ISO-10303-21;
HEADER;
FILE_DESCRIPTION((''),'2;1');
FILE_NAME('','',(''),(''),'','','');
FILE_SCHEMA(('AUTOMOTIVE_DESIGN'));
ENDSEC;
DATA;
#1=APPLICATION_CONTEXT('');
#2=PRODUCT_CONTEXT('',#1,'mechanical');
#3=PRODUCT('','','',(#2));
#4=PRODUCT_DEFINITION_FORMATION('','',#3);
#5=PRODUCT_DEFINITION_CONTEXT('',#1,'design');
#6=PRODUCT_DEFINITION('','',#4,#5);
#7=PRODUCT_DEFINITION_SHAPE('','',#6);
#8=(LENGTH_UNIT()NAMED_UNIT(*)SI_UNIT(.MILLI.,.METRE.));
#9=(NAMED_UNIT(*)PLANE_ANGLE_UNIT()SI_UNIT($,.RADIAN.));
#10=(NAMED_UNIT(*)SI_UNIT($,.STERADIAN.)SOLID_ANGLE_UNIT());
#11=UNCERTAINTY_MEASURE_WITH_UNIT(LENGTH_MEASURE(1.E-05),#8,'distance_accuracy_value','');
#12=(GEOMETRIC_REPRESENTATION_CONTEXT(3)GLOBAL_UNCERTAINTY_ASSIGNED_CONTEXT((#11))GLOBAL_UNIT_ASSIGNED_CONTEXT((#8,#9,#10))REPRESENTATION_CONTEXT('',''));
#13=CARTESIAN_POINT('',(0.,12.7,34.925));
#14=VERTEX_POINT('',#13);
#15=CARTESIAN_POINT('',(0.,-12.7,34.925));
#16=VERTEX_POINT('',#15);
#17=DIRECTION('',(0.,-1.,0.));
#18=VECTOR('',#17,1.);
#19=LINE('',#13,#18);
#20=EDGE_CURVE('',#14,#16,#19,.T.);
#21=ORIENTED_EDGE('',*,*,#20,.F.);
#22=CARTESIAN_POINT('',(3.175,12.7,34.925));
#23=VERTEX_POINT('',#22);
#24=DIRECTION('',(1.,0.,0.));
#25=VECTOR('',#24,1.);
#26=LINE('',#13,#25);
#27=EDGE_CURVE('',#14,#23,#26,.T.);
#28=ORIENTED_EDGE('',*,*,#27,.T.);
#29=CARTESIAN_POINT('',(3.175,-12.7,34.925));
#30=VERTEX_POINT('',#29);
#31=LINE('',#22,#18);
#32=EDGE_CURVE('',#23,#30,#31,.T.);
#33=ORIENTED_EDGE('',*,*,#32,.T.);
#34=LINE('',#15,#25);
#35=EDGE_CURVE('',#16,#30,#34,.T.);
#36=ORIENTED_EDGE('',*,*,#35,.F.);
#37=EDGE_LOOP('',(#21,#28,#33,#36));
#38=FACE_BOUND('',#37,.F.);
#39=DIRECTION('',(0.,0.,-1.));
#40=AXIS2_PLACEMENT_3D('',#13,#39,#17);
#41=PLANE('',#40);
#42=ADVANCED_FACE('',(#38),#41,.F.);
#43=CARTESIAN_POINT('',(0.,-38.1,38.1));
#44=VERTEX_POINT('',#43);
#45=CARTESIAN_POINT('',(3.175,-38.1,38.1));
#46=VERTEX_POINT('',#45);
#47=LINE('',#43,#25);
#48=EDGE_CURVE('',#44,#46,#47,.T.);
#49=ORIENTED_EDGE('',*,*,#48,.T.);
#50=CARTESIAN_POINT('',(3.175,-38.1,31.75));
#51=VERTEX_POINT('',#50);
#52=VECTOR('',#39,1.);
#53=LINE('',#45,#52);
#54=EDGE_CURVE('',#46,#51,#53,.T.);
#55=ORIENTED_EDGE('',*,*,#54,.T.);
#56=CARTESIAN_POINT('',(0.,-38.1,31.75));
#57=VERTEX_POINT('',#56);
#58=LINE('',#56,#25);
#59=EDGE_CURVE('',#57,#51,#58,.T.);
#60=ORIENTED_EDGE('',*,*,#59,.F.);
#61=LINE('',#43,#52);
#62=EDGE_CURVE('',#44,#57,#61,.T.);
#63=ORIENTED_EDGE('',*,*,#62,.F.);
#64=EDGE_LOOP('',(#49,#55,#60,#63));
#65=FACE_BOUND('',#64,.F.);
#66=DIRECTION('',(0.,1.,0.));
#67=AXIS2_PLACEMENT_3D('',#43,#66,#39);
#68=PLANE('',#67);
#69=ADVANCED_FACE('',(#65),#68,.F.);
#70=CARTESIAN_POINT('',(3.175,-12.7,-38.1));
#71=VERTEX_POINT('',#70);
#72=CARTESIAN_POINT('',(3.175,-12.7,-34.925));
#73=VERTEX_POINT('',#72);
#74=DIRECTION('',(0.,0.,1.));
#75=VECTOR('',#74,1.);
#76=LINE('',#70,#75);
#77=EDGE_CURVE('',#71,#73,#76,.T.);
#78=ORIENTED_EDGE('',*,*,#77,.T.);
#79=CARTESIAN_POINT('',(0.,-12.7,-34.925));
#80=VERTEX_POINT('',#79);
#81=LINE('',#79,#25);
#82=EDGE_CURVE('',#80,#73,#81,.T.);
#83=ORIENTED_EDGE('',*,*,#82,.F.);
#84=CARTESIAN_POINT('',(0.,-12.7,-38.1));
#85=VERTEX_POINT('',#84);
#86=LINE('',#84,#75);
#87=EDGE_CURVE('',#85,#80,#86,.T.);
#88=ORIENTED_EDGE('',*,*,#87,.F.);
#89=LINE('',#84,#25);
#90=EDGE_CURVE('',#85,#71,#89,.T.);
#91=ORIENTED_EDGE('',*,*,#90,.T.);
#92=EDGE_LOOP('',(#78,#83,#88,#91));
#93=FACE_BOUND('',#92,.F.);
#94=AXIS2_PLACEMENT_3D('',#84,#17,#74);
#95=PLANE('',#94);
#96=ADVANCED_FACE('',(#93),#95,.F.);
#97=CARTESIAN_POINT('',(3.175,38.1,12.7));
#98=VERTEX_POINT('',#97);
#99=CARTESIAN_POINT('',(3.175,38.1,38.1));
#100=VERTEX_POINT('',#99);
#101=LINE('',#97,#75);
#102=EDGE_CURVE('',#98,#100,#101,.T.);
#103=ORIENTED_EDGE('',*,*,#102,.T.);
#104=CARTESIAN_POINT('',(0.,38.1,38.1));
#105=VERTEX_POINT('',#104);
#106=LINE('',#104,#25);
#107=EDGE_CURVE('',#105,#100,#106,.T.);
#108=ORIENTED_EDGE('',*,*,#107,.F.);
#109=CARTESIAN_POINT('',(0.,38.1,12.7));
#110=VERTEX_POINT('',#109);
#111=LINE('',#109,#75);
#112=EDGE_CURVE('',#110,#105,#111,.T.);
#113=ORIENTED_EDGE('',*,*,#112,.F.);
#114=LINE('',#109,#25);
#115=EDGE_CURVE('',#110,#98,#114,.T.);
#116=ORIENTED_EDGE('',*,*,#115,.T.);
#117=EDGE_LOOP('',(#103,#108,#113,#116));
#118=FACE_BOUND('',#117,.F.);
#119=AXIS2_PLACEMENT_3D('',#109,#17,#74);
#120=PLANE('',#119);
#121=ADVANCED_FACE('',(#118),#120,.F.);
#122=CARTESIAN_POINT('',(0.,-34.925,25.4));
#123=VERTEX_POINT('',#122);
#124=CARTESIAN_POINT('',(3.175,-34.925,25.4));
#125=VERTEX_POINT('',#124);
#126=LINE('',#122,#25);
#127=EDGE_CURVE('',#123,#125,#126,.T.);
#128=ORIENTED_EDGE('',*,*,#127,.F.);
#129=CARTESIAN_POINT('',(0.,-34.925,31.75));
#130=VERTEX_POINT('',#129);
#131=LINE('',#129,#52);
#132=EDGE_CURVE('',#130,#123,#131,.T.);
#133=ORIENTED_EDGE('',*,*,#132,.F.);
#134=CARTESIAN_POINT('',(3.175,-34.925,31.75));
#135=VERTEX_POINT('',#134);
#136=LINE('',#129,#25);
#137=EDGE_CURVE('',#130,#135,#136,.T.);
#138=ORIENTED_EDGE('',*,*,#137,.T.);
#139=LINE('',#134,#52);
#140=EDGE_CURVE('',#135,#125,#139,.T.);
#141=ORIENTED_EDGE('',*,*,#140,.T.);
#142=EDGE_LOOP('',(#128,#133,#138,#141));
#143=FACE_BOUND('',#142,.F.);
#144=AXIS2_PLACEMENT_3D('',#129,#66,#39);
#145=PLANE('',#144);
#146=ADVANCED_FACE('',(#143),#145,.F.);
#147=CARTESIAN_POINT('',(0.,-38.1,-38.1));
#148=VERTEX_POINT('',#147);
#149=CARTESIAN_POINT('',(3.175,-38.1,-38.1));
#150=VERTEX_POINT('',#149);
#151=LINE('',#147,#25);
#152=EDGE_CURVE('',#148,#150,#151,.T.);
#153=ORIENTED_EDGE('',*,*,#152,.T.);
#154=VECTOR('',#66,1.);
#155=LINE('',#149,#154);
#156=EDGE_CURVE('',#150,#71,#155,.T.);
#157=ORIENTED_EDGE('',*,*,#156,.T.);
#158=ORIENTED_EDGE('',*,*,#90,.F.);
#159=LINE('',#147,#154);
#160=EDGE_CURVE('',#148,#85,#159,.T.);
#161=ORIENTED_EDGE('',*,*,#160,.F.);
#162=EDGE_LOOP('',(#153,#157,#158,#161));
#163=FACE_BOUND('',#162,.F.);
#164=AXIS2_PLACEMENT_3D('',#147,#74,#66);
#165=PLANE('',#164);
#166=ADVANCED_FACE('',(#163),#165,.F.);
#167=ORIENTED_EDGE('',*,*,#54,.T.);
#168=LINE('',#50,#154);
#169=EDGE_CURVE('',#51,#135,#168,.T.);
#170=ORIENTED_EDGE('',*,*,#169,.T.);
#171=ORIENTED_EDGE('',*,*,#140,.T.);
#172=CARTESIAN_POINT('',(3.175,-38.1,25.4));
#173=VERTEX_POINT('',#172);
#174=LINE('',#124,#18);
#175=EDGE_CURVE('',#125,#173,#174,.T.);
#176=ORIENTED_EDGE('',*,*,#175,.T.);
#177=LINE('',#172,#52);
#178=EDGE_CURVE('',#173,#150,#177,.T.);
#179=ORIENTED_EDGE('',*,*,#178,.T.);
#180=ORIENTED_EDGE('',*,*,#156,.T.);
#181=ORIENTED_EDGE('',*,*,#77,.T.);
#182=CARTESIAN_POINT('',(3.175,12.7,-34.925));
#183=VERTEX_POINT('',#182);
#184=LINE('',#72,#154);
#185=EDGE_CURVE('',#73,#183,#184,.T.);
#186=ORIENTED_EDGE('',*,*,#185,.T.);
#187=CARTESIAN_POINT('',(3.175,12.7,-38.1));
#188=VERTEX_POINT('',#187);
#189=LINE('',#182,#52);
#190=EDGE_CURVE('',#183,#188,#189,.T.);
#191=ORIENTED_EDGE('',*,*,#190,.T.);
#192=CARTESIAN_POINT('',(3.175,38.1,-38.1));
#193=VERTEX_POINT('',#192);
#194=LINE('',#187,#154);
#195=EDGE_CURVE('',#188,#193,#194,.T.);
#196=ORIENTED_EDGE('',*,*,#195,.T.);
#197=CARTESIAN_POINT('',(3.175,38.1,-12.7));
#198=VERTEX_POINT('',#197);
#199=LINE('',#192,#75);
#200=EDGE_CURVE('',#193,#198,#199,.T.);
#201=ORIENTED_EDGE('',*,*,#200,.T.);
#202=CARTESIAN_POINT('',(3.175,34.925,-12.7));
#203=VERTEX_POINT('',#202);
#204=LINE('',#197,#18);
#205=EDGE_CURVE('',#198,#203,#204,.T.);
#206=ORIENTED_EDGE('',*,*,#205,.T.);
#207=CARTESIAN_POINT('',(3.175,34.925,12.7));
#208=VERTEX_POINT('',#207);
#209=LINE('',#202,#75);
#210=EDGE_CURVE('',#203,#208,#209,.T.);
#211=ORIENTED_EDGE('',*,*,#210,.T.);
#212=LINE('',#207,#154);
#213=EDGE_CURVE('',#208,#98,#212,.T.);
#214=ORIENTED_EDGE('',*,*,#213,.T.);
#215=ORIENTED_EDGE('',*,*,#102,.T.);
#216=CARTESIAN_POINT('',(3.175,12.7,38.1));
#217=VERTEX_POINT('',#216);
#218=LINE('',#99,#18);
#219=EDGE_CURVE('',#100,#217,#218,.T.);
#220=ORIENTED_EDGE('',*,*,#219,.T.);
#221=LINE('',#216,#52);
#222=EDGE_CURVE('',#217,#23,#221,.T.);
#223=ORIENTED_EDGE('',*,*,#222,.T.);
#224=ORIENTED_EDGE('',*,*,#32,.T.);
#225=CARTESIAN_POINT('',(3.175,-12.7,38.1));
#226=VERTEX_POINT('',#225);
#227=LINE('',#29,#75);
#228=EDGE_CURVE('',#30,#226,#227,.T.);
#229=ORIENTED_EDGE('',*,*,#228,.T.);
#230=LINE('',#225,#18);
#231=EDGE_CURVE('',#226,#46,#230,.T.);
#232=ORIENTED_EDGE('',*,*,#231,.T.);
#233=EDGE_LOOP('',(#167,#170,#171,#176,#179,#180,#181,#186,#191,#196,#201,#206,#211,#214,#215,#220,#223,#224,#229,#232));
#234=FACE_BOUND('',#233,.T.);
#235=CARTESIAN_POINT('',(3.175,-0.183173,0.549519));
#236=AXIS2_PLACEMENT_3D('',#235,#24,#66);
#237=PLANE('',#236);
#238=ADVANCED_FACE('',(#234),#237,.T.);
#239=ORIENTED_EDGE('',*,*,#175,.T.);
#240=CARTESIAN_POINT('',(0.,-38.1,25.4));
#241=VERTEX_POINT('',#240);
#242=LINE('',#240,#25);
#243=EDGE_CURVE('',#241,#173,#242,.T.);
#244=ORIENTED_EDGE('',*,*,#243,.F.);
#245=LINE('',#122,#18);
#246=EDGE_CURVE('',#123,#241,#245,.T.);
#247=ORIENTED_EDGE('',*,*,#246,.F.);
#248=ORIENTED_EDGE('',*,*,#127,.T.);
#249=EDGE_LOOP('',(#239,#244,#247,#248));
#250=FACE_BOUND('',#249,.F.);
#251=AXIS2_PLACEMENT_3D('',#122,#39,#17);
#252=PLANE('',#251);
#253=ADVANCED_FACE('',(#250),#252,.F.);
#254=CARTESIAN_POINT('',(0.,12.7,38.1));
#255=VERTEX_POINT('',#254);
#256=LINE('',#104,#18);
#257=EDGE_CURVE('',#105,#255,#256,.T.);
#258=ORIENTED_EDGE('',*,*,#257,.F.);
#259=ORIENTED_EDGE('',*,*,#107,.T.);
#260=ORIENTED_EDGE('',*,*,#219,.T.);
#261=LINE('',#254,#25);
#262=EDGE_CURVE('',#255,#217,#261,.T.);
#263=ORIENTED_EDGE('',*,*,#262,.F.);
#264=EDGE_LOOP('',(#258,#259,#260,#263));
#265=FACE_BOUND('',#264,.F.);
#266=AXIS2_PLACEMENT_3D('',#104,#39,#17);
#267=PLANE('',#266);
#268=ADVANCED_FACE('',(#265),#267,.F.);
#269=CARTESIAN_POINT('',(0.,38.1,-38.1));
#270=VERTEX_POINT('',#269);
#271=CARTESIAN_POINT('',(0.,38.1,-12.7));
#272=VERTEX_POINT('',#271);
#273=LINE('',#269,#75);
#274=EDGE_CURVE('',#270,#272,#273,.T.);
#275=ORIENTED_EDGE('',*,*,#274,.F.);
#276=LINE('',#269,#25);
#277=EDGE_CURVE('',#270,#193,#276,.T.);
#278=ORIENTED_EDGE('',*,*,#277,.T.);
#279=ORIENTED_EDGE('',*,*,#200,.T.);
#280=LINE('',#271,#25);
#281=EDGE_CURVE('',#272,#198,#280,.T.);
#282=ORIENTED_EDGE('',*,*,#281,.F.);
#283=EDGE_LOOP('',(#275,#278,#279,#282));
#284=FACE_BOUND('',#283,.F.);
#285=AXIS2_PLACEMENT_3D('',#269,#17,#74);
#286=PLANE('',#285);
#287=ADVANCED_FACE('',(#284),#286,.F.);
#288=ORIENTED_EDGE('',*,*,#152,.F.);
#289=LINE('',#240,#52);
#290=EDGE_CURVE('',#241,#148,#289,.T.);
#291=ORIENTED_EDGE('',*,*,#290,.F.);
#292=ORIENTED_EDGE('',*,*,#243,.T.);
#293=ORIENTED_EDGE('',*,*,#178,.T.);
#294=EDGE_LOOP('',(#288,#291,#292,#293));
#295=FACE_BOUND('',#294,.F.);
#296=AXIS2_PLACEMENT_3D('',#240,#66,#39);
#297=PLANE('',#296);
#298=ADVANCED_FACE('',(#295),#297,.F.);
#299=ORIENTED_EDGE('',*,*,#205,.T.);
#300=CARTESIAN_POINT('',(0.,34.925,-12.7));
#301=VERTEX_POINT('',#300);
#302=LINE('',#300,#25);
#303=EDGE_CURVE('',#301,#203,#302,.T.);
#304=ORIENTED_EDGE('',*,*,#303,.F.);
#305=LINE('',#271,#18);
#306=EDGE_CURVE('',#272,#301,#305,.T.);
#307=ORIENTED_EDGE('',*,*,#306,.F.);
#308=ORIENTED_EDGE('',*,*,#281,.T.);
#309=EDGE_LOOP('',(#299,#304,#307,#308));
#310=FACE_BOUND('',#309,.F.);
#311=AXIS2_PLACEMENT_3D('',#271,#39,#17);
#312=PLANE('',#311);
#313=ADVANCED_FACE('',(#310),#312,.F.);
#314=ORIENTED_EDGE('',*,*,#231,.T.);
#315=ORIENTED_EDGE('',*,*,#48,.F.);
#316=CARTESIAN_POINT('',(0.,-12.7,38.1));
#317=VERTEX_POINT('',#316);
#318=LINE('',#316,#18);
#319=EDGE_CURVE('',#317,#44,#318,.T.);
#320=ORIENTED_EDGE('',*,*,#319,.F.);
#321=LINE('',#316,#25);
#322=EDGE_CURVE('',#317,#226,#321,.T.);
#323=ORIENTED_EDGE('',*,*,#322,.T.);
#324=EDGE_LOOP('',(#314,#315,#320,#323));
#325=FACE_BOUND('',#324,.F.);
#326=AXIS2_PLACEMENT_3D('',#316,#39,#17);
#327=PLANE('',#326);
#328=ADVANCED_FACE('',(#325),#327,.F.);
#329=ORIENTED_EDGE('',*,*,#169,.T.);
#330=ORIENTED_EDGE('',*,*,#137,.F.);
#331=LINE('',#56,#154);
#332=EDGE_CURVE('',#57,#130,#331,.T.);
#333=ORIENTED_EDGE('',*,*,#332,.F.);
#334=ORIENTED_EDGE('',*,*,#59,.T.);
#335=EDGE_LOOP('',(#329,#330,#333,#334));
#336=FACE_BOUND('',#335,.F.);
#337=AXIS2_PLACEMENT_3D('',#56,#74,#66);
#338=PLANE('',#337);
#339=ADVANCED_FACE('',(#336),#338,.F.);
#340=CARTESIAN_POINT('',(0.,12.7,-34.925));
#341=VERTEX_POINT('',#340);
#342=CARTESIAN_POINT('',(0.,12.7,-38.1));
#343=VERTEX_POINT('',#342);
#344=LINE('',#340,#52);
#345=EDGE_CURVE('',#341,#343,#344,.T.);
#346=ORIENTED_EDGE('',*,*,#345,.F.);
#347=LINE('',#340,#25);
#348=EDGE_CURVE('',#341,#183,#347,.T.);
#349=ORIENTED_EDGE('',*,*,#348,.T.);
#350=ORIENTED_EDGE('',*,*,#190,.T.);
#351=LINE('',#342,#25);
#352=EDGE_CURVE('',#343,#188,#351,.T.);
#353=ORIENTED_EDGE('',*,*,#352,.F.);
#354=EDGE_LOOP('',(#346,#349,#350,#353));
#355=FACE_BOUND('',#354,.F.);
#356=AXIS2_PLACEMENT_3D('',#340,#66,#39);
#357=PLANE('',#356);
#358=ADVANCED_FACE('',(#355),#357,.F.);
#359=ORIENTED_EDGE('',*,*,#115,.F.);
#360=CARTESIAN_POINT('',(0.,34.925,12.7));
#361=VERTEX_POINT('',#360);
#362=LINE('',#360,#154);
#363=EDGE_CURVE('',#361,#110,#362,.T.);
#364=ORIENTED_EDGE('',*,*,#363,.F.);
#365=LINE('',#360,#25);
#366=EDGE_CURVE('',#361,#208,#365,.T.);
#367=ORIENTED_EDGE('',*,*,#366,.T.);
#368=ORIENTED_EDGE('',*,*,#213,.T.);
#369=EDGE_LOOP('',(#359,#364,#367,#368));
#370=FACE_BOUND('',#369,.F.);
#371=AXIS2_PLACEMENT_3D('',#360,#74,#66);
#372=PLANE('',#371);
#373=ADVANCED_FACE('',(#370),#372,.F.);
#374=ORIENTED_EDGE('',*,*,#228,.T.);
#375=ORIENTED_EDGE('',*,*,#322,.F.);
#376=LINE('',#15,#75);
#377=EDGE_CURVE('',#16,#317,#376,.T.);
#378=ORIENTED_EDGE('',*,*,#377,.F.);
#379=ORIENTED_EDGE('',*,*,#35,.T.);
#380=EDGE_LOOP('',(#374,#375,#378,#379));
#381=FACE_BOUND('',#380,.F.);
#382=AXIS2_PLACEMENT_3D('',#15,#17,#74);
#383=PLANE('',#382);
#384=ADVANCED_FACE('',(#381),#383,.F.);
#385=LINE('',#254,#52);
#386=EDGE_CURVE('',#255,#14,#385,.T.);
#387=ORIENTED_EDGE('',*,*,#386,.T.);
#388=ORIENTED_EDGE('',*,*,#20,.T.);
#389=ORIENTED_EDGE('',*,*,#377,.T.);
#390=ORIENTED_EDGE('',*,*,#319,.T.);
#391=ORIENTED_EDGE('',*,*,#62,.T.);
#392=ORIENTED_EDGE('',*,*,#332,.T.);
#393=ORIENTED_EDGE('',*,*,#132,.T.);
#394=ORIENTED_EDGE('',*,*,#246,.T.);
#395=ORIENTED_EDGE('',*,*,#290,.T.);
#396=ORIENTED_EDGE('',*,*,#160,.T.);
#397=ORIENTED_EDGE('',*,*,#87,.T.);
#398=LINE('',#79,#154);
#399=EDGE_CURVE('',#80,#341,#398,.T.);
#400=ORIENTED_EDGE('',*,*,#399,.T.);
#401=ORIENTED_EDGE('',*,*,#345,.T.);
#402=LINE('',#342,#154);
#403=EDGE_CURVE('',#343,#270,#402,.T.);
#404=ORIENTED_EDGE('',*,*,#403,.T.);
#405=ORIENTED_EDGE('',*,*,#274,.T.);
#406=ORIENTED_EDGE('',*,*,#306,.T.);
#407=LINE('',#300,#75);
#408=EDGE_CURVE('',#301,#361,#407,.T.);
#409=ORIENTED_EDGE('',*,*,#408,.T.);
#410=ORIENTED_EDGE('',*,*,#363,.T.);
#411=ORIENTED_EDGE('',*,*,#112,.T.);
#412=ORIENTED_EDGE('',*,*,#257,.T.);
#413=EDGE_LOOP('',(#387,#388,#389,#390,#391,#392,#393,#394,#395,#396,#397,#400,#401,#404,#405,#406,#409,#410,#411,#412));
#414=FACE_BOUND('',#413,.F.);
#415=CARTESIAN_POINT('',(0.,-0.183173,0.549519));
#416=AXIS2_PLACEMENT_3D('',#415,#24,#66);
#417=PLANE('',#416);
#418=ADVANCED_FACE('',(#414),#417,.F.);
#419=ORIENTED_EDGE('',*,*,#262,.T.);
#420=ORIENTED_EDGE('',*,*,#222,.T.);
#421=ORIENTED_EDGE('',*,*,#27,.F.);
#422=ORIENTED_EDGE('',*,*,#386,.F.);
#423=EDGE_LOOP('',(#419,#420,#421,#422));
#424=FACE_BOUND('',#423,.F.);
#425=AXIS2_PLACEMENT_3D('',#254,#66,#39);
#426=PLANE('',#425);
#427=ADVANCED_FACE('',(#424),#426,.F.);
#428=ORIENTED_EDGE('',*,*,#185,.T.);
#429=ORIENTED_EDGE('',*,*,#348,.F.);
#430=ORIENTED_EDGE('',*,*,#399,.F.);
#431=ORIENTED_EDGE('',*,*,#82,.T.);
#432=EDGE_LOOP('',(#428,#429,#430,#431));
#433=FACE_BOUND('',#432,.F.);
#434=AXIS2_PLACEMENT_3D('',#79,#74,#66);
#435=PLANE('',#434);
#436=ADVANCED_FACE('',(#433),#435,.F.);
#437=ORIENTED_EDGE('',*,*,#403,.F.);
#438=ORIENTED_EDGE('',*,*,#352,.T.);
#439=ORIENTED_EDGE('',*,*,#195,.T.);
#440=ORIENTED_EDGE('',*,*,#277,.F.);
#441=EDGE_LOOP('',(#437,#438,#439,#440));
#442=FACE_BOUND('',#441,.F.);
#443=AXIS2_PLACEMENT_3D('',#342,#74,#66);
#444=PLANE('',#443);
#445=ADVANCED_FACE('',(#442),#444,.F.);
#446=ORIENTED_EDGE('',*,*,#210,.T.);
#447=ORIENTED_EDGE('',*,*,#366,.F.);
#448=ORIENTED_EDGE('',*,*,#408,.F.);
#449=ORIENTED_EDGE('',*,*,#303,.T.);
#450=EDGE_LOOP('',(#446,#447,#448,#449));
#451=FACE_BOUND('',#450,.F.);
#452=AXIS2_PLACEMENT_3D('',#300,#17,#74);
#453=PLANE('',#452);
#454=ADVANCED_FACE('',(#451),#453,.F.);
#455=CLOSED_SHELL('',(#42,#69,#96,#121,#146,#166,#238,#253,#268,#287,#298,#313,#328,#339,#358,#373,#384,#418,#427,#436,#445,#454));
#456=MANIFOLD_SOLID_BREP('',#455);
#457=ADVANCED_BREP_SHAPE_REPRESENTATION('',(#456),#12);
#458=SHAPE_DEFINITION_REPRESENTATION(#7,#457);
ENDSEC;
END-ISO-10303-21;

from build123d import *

# Parameters (mm, degrees)
F1_DEPTH = 3.175


with BuildPart() as f1:
    # F0 (on Right) → F1 (new body)
    with BuildSketch(Plane.YZ):
        Polygon((12.7, -38.1), (38.1, -38.1), (38.1, -12.7), (34.925, -12.7), (34.925, 12.7), (38.1, 12.7), (38.1, 38.1), (12.7, 38.1), (12.7, 34.925), (-12.7, 34.925), (-12.7, 38.1), (-38.1, 38.1), (-38.1, 31.75), (-34.925, 31.75), (-34.925, 25.4), (-38.1, 25.4), (-38.1, -38.1), (-12.7, -38.1), (-12.7, -34.925), (12.7, -34.925), align=None)
    extrude(amount=F1_DEPTH)


solid = f1.part
